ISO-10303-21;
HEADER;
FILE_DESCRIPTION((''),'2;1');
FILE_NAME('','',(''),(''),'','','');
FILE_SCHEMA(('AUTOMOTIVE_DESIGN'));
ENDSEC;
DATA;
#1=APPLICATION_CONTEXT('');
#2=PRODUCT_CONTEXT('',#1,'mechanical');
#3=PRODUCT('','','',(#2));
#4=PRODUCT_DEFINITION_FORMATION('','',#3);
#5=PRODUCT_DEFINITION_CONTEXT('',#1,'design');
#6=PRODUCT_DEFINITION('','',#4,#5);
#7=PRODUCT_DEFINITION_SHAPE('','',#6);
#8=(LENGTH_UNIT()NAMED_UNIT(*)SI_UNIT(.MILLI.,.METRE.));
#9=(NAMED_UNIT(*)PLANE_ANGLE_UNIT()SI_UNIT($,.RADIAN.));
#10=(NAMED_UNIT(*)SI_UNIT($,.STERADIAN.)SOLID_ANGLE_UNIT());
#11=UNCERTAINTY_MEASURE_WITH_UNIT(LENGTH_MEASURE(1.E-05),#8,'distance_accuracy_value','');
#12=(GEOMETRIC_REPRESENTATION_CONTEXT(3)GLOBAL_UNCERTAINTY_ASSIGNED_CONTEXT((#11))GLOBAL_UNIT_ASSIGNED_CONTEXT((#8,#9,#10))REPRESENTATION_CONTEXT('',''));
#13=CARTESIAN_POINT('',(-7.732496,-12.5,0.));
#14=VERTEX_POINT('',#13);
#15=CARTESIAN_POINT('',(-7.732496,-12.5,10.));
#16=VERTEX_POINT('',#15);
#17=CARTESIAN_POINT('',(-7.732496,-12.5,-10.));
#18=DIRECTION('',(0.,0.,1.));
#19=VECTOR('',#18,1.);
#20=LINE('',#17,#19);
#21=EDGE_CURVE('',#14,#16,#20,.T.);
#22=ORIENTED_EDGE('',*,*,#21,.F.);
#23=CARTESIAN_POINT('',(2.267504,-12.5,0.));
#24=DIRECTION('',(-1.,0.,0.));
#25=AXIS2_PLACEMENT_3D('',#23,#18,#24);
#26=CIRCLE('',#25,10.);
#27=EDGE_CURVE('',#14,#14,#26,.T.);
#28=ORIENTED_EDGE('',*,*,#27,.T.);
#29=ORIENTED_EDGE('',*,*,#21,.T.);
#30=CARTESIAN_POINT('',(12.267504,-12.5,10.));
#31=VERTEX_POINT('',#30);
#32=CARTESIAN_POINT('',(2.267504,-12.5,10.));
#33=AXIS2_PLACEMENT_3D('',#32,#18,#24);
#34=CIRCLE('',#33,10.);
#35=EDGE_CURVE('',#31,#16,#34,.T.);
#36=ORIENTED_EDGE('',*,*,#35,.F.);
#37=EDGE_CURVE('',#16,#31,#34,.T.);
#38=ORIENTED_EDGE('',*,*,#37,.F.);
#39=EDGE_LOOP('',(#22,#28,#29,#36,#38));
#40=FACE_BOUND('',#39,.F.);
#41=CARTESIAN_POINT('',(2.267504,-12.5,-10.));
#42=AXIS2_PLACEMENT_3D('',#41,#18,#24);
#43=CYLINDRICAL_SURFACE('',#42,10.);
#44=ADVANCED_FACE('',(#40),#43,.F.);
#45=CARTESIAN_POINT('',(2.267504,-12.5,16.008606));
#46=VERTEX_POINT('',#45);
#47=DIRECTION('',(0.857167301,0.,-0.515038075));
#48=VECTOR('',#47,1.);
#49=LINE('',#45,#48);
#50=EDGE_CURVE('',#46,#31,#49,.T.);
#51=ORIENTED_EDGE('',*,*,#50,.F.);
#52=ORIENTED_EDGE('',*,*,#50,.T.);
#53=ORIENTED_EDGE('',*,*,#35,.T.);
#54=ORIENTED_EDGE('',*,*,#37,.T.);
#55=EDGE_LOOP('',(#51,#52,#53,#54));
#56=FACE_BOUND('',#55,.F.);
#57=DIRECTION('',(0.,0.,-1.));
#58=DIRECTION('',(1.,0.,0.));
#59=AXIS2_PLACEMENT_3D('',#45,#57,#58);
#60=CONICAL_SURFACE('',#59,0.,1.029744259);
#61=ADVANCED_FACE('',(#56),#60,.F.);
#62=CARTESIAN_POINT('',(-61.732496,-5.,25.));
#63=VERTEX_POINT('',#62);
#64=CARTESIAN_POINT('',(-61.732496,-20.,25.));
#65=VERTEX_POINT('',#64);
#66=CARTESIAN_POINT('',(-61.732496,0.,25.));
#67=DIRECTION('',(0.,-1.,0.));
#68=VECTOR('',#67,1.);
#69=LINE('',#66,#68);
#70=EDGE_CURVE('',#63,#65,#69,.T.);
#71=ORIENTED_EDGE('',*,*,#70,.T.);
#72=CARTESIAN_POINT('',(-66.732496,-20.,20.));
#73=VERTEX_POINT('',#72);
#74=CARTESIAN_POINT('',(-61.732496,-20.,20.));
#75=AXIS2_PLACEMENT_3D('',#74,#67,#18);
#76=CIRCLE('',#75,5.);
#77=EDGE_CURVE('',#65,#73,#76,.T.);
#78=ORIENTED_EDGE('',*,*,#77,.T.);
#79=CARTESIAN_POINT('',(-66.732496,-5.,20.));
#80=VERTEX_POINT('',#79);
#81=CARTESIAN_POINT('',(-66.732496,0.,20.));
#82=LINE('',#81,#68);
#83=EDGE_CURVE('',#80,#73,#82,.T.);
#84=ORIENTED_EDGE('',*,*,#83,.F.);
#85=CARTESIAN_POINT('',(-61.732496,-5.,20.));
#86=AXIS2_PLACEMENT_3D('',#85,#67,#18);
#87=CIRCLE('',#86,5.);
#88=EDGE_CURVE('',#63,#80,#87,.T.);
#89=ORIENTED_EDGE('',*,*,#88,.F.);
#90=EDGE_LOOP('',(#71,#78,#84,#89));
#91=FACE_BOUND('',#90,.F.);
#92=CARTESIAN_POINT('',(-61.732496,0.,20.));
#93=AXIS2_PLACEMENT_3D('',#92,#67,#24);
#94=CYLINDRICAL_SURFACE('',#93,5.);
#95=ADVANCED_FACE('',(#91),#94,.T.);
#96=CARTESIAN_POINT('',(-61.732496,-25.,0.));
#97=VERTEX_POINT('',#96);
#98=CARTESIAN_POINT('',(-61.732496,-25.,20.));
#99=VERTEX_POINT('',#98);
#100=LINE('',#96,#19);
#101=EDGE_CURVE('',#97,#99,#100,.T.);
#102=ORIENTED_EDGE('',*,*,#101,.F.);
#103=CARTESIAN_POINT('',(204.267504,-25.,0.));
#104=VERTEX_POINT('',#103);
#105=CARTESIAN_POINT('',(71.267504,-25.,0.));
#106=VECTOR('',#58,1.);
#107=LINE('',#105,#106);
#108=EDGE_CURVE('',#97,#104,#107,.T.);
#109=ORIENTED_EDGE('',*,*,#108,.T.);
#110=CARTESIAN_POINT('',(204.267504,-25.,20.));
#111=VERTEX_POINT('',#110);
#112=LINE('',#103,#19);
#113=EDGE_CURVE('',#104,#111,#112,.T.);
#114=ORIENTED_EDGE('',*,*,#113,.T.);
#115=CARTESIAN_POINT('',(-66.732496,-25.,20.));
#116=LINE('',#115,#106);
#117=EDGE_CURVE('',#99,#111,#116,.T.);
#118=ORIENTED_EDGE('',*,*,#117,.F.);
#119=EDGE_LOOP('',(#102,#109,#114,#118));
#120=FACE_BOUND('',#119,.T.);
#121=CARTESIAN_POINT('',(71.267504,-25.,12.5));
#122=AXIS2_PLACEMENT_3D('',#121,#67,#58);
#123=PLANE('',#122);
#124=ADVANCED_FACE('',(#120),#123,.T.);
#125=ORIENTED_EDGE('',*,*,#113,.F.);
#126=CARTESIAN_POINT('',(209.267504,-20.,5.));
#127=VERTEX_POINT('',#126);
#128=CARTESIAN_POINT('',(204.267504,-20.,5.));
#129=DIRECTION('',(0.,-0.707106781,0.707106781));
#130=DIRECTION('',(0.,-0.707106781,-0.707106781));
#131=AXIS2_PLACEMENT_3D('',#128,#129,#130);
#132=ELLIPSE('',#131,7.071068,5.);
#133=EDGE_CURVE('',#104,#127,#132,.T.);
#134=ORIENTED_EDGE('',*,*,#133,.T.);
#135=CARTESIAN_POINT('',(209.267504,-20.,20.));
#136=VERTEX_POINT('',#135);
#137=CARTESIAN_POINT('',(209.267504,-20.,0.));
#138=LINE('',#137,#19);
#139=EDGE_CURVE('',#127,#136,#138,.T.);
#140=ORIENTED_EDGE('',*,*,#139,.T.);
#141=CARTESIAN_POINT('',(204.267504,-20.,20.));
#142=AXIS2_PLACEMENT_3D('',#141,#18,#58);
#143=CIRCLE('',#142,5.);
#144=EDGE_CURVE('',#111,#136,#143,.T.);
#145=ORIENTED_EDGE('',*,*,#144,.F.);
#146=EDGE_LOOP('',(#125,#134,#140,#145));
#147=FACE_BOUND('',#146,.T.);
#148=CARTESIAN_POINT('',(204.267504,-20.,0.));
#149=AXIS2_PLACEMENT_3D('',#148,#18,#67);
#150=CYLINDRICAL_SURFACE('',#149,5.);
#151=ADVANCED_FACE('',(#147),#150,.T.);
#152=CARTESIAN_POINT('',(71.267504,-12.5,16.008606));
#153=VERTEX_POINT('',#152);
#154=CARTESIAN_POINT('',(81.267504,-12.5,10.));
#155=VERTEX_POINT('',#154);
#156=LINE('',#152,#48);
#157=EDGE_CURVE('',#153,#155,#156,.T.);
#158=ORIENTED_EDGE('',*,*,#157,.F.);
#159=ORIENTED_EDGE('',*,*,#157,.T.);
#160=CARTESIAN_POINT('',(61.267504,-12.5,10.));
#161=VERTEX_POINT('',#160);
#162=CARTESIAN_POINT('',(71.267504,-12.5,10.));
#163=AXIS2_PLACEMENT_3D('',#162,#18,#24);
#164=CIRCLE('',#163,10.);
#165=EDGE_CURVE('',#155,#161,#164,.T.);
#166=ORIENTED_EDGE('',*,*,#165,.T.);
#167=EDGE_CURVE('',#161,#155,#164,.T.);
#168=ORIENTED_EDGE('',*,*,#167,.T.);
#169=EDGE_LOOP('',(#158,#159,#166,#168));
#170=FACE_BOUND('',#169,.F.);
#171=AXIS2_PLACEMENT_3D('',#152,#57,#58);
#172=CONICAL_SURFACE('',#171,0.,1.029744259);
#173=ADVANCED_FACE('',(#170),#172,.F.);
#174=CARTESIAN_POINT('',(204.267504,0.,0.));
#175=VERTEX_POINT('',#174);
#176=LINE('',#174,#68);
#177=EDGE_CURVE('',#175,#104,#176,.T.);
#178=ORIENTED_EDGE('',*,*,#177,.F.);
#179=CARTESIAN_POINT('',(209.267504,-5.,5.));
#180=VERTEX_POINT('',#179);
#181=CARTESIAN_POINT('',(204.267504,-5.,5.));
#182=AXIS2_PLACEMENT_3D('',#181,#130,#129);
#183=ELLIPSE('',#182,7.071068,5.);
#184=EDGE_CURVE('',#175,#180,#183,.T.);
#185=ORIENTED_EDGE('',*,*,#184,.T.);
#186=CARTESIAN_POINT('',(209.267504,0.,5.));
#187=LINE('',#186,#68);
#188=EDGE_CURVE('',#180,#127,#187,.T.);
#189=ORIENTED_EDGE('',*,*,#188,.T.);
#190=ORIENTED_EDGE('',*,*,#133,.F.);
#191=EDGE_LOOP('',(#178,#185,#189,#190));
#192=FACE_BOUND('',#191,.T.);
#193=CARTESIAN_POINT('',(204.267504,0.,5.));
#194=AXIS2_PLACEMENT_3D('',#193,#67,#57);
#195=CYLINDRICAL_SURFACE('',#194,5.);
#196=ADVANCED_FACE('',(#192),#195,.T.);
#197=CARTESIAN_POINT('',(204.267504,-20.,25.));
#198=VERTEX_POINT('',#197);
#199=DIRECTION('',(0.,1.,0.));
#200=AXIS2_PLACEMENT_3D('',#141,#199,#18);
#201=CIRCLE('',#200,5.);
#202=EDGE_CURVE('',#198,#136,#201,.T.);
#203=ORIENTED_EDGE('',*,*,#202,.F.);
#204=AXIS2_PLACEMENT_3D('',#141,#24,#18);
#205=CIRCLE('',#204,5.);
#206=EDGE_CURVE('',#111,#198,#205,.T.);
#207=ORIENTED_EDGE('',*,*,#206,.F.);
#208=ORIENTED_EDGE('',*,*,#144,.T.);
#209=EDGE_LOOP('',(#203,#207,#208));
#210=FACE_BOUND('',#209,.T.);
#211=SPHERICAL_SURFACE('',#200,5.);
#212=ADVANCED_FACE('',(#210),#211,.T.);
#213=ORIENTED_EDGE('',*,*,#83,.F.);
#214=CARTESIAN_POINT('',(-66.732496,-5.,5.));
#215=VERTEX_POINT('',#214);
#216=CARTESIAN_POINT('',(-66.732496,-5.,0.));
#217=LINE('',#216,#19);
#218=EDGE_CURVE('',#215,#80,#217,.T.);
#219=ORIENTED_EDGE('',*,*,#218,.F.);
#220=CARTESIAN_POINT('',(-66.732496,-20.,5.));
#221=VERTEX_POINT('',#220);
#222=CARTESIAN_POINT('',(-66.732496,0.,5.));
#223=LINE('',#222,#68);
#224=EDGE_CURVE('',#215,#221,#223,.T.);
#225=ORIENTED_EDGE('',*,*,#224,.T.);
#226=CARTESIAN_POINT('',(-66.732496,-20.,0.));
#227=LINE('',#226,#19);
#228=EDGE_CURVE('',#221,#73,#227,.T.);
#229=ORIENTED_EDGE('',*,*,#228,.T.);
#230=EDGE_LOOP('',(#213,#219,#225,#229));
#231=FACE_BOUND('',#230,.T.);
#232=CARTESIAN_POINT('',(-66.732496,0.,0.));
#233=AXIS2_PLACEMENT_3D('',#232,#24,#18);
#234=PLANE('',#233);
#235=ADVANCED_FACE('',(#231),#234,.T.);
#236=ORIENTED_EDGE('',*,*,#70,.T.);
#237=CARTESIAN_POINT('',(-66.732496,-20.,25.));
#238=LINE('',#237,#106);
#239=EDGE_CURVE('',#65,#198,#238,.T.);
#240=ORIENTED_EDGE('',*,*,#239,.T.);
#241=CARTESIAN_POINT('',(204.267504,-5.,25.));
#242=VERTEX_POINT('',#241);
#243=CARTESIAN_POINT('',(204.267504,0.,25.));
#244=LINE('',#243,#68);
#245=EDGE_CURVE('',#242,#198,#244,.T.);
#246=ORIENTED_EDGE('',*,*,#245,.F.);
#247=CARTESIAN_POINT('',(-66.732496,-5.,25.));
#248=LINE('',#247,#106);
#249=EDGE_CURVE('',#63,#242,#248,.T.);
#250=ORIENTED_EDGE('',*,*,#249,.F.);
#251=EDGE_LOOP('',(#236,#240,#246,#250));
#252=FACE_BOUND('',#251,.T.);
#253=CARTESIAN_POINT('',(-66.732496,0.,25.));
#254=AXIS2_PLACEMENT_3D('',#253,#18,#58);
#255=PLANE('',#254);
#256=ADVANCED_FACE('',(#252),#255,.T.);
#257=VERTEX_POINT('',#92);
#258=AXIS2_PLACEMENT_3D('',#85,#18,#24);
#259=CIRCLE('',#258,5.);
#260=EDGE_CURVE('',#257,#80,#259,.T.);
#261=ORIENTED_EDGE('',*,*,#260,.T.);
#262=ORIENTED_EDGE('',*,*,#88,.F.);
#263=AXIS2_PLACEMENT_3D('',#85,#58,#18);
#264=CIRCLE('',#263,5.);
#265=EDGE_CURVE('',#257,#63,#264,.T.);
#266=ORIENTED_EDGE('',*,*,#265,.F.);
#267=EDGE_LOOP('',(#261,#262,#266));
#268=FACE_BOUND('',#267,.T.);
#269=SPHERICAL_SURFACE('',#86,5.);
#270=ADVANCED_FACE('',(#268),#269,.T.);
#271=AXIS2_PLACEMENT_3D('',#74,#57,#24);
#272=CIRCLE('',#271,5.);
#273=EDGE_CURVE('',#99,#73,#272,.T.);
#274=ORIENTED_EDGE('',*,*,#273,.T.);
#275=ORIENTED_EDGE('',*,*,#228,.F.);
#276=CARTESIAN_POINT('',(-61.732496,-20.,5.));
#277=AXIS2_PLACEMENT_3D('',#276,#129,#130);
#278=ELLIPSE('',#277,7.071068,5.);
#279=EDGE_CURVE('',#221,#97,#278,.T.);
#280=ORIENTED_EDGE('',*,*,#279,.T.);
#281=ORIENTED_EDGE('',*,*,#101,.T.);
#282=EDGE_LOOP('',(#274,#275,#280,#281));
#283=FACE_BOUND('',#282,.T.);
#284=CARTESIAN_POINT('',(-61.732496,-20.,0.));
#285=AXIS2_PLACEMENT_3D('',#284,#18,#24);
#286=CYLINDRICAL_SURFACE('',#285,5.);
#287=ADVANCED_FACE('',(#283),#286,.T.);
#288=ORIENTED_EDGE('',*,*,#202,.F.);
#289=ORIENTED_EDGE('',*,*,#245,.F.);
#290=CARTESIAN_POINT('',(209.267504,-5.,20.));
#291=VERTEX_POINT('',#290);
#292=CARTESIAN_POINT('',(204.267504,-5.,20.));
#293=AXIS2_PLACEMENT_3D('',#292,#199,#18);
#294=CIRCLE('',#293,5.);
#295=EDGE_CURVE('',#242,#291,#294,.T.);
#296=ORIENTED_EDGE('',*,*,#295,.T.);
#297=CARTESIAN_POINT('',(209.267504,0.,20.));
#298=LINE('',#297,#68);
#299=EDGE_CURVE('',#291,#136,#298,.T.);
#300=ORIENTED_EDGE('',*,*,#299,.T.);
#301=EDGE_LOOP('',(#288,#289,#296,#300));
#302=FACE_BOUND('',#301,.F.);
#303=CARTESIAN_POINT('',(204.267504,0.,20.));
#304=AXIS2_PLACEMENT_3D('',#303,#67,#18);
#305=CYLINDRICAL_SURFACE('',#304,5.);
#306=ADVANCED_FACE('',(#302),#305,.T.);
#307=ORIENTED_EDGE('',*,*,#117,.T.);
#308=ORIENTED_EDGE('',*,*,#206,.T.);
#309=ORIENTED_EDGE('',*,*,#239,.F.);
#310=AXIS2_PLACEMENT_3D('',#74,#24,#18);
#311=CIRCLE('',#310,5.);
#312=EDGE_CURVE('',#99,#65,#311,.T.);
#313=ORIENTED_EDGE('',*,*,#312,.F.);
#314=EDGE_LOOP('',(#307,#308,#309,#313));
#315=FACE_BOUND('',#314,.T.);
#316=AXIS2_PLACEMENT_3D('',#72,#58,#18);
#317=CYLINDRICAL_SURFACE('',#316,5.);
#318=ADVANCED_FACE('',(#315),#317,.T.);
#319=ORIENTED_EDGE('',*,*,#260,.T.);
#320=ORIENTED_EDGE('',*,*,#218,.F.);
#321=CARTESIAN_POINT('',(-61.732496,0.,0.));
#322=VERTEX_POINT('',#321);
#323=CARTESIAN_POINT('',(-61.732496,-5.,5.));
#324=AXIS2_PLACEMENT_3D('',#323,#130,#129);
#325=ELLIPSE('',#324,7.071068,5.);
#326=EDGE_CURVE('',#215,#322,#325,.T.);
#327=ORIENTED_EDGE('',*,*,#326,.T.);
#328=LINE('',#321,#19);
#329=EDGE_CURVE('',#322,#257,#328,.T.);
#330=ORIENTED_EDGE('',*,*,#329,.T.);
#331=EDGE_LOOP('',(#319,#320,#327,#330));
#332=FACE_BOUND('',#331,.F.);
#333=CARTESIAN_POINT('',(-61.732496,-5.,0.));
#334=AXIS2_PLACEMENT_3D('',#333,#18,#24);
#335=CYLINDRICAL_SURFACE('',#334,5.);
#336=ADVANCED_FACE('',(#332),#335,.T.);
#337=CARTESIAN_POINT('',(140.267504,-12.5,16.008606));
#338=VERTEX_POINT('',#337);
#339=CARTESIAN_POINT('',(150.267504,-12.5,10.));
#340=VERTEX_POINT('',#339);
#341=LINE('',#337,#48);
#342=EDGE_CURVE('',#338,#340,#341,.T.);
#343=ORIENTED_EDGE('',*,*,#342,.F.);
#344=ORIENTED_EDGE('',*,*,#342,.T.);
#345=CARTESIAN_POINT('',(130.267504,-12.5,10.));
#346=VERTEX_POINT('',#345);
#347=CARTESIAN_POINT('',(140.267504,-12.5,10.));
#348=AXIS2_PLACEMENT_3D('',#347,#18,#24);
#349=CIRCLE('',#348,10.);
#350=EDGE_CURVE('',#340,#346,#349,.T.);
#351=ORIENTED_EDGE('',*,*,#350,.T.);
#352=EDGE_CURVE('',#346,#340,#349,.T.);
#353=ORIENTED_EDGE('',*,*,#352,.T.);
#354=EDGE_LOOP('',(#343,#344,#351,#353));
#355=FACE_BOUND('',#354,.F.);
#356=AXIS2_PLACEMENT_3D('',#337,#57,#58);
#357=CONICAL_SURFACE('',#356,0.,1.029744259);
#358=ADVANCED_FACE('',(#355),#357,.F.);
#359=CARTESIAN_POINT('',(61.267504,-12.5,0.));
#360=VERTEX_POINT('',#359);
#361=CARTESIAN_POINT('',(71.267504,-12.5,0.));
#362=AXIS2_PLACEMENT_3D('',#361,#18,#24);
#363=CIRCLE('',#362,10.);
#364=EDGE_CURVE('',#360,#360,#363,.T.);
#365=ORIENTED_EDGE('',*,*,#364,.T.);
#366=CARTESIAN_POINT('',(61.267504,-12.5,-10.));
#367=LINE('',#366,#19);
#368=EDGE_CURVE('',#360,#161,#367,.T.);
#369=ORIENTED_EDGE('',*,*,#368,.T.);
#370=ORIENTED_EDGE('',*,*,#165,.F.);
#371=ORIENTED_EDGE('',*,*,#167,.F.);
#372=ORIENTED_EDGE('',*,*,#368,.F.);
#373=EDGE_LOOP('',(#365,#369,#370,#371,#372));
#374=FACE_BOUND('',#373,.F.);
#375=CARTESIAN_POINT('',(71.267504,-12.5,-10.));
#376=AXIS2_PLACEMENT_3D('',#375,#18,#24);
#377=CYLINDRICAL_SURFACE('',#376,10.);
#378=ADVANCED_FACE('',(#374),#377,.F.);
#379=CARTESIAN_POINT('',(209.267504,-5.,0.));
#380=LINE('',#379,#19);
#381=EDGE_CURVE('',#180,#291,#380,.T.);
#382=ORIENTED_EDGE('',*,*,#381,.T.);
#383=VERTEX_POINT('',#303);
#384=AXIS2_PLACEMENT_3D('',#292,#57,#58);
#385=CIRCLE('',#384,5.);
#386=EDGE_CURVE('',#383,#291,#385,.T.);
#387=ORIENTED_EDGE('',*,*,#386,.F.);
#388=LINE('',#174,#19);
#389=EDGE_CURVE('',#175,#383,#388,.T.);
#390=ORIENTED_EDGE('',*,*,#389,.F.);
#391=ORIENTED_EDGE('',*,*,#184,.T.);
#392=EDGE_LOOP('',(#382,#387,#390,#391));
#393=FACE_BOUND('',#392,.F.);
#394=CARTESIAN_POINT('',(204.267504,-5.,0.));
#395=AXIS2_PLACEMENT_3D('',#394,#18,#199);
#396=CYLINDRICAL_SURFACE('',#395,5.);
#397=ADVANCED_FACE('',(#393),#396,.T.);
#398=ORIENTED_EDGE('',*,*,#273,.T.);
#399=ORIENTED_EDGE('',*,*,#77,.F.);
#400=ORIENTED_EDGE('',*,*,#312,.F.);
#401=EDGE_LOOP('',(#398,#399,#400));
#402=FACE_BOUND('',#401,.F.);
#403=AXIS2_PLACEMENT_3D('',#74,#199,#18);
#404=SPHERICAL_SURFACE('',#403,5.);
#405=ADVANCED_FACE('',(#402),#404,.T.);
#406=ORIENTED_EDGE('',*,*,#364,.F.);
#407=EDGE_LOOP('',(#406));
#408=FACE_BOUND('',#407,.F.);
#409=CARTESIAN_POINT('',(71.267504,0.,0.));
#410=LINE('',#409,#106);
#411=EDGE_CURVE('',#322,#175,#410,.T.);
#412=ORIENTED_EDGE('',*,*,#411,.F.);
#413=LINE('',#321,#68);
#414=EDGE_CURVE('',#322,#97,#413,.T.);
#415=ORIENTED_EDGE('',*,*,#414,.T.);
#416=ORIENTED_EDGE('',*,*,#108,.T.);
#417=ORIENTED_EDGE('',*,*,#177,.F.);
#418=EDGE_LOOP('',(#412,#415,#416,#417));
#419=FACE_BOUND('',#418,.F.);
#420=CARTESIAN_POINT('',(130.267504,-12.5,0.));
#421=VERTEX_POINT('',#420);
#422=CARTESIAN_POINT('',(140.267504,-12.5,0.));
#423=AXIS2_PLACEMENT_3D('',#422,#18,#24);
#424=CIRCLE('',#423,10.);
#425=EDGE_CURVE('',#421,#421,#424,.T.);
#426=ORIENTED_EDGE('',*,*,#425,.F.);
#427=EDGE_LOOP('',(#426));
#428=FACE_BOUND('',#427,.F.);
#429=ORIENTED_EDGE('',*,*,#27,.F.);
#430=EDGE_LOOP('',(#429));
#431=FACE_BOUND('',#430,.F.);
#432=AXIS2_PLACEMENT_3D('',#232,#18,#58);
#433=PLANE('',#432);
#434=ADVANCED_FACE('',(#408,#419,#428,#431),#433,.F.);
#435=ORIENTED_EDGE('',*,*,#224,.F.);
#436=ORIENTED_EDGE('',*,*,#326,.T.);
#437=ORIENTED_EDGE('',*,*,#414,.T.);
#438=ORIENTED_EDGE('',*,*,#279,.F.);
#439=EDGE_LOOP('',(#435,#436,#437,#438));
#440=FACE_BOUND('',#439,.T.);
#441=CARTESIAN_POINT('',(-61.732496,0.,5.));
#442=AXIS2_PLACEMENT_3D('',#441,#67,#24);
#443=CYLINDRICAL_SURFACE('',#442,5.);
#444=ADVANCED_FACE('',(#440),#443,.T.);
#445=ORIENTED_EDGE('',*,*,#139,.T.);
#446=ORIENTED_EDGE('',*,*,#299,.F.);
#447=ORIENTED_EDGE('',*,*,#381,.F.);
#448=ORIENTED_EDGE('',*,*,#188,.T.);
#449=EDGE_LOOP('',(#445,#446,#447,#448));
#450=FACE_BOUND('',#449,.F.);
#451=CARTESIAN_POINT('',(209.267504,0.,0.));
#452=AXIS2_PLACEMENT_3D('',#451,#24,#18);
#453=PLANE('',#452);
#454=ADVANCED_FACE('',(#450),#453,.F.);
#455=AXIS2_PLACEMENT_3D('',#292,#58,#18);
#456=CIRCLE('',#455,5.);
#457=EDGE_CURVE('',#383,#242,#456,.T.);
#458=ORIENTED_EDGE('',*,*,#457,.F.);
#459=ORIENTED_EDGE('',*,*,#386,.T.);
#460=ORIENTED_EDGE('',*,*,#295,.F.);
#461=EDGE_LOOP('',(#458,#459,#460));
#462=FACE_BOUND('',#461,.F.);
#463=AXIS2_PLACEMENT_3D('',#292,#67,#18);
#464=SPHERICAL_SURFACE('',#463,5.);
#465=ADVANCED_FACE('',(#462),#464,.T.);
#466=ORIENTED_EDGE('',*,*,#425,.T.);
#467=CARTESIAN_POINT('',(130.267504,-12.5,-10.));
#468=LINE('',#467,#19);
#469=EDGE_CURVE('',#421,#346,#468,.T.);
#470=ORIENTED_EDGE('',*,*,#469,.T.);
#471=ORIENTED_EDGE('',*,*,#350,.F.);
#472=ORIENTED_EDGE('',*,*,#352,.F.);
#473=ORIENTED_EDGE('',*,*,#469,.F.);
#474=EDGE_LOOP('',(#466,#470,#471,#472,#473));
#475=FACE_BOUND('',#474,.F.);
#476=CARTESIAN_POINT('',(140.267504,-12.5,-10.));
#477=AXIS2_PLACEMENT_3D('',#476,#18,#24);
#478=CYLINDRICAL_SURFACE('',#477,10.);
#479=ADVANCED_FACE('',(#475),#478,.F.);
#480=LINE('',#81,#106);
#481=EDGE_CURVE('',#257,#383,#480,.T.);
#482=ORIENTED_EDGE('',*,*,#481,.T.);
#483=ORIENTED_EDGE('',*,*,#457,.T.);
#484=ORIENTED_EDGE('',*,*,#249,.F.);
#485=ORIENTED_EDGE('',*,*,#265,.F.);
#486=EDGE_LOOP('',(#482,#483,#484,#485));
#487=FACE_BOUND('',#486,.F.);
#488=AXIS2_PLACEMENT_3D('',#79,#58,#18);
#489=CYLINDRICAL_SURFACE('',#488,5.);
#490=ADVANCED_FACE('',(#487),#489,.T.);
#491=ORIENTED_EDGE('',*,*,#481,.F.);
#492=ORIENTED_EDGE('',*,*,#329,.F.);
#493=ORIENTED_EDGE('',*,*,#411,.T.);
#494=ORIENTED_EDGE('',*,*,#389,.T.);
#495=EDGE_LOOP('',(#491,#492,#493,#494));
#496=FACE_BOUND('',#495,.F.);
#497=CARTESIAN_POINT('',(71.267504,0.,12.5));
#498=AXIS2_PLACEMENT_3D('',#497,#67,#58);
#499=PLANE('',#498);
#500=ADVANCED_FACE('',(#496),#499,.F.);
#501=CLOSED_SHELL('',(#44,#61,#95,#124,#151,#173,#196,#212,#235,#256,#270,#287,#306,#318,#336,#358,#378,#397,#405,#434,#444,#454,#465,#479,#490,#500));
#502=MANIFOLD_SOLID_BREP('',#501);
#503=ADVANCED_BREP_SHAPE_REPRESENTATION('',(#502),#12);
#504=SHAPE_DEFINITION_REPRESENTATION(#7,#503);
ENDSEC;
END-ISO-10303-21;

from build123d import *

# Parameters (mm, degrees)
F0_W     = 276
F0_H     = 25
F1_DEPTH = 25
F3_D     = 20
F3_DEPTH = 10
F3_TIP   = 6.0086061903
F4_R     = 5


with BuildPart() as f1:
    # F0 (on Front) → F1 (new body)
    with BuildSketch(Plane.XZ):
        with Locations((71.2675039768, 12.5)):
            Rectangle(F0_W, F0_H)
    extrude(amount=F1_DEPTH)

    # F3
    with Locations(Plane(origin=(0, 0, 0), x_dir=(1, 0, 0), z_dir=(0, 0, -1))):
        with Locations((140.2675039768, 12.5), (71.2675039768, 12.5), (2.2675039768, 12.5)):
            Hole(F3_D / 2, depth=F3_DEPTH)
            with Locations((0, 0, -(F3_DEPTH + F3_TIP / 2))):  # 118° drill point
                Cone(0, F3_D / 2, F3_TIP, mode=Mode.SUBTRACT)

    # F4
    f4_edges = [f1.edges().sort_by_distance(p)[0] for p in [
        (209.267504, -12.5, 25),
        (-66.732496, -12.5, 25),
        (71.267504, 0, 25),
        (71.267504, -25, 25),
        (209.267504, -12.5, 0),
        (209.267504, 0, 12.5),
        (209.267504, -25, 12.5),
        (-66.732496, -12.5, 0),
        (-66.732496, 0, 12.5),
        (-66.732496, -25, 12.5),
    ]]
    fillet(f4_edges, radius=F4_R)


solid = f1.part
